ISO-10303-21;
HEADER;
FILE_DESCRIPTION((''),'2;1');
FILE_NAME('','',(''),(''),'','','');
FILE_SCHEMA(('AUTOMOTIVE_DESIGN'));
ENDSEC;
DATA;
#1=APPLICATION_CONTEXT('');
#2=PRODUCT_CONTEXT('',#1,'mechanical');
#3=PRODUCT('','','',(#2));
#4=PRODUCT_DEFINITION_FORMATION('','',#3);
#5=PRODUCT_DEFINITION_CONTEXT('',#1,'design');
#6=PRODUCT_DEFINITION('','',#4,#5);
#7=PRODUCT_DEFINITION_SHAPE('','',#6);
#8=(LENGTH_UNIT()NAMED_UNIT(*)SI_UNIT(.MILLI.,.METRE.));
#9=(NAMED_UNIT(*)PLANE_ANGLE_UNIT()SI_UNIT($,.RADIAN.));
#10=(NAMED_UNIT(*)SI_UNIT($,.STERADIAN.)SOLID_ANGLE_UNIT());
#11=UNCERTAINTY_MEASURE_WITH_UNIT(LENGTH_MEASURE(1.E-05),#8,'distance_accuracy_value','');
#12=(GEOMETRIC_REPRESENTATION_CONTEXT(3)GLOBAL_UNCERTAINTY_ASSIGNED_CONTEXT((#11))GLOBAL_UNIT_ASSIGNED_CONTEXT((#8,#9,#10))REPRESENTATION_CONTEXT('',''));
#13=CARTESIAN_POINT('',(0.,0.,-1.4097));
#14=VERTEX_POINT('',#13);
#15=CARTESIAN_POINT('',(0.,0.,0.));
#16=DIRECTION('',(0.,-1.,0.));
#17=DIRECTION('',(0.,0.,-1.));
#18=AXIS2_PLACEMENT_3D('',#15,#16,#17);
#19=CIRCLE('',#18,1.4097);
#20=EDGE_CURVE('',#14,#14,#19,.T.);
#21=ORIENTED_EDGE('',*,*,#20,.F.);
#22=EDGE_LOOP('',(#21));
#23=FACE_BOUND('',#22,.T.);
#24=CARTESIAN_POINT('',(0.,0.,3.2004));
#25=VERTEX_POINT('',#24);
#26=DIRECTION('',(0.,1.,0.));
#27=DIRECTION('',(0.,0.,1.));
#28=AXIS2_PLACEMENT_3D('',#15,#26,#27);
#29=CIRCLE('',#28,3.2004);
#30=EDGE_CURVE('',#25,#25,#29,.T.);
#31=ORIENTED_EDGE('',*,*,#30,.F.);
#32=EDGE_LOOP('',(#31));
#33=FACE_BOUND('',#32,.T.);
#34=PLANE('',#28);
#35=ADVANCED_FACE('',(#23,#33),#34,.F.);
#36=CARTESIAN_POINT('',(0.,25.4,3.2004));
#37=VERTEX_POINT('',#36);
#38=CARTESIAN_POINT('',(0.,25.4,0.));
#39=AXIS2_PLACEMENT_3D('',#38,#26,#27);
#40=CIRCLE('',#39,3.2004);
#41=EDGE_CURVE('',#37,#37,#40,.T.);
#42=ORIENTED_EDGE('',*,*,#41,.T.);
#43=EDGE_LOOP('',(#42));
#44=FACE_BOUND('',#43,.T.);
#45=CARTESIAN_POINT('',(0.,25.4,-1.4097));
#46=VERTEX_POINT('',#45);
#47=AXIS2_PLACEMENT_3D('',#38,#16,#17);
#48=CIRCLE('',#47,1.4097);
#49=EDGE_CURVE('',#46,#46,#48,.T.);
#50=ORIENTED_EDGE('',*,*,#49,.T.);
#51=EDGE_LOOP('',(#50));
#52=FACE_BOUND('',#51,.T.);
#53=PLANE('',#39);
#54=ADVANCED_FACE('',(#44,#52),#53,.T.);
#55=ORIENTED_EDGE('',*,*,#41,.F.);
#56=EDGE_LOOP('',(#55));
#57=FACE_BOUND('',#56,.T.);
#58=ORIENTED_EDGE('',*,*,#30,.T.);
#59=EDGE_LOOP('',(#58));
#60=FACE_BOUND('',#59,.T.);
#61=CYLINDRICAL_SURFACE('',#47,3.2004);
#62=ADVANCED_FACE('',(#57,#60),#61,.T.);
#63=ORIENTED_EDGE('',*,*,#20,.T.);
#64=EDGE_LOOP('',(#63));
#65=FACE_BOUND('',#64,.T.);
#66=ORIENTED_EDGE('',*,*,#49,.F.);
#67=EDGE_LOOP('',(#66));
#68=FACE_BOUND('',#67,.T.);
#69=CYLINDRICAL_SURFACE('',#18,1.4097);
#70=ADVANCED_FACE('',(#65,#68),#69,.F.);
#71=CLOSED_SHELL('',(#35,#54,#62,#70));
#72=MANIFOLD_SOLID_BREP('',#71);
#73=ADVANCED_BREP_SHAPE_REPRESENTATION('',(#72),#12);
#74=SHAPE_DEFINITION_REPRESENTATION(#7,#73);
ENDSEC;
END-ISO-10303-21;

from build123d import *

# Parameters (mm, degrees)
SKETCH1_R                   = 3.2004
BOSS_EXTRUDE1_DEPTH         = 25.4
F_34_0_111_DIAMETER_HOLE1_D = 2.8194


with BuildPart() as part:
    # Sketch1 → Boss-Extrude1 (new body)
    with BuildSketch(Plane(origin=(0, 0, 0), x_dir=(1, 0, 0), z_dir=(0, 1, 0))):
        Circle(SKETCH1_R)
    extrude(amount=BOSS_EXTRUDE1_DEPTH)

    # #34 (0.111) Diameter Hole1 (through all)
    with Locations(Plane(origin=(0, 0, 0), x_dir=(-1, 0, 0), z_dir=(0, -1, 0))):
        with Locations((0, 0)):
            Hole(F_34_0_111_DIAMETER_HOLE1_D / 2)


solid = part.part
